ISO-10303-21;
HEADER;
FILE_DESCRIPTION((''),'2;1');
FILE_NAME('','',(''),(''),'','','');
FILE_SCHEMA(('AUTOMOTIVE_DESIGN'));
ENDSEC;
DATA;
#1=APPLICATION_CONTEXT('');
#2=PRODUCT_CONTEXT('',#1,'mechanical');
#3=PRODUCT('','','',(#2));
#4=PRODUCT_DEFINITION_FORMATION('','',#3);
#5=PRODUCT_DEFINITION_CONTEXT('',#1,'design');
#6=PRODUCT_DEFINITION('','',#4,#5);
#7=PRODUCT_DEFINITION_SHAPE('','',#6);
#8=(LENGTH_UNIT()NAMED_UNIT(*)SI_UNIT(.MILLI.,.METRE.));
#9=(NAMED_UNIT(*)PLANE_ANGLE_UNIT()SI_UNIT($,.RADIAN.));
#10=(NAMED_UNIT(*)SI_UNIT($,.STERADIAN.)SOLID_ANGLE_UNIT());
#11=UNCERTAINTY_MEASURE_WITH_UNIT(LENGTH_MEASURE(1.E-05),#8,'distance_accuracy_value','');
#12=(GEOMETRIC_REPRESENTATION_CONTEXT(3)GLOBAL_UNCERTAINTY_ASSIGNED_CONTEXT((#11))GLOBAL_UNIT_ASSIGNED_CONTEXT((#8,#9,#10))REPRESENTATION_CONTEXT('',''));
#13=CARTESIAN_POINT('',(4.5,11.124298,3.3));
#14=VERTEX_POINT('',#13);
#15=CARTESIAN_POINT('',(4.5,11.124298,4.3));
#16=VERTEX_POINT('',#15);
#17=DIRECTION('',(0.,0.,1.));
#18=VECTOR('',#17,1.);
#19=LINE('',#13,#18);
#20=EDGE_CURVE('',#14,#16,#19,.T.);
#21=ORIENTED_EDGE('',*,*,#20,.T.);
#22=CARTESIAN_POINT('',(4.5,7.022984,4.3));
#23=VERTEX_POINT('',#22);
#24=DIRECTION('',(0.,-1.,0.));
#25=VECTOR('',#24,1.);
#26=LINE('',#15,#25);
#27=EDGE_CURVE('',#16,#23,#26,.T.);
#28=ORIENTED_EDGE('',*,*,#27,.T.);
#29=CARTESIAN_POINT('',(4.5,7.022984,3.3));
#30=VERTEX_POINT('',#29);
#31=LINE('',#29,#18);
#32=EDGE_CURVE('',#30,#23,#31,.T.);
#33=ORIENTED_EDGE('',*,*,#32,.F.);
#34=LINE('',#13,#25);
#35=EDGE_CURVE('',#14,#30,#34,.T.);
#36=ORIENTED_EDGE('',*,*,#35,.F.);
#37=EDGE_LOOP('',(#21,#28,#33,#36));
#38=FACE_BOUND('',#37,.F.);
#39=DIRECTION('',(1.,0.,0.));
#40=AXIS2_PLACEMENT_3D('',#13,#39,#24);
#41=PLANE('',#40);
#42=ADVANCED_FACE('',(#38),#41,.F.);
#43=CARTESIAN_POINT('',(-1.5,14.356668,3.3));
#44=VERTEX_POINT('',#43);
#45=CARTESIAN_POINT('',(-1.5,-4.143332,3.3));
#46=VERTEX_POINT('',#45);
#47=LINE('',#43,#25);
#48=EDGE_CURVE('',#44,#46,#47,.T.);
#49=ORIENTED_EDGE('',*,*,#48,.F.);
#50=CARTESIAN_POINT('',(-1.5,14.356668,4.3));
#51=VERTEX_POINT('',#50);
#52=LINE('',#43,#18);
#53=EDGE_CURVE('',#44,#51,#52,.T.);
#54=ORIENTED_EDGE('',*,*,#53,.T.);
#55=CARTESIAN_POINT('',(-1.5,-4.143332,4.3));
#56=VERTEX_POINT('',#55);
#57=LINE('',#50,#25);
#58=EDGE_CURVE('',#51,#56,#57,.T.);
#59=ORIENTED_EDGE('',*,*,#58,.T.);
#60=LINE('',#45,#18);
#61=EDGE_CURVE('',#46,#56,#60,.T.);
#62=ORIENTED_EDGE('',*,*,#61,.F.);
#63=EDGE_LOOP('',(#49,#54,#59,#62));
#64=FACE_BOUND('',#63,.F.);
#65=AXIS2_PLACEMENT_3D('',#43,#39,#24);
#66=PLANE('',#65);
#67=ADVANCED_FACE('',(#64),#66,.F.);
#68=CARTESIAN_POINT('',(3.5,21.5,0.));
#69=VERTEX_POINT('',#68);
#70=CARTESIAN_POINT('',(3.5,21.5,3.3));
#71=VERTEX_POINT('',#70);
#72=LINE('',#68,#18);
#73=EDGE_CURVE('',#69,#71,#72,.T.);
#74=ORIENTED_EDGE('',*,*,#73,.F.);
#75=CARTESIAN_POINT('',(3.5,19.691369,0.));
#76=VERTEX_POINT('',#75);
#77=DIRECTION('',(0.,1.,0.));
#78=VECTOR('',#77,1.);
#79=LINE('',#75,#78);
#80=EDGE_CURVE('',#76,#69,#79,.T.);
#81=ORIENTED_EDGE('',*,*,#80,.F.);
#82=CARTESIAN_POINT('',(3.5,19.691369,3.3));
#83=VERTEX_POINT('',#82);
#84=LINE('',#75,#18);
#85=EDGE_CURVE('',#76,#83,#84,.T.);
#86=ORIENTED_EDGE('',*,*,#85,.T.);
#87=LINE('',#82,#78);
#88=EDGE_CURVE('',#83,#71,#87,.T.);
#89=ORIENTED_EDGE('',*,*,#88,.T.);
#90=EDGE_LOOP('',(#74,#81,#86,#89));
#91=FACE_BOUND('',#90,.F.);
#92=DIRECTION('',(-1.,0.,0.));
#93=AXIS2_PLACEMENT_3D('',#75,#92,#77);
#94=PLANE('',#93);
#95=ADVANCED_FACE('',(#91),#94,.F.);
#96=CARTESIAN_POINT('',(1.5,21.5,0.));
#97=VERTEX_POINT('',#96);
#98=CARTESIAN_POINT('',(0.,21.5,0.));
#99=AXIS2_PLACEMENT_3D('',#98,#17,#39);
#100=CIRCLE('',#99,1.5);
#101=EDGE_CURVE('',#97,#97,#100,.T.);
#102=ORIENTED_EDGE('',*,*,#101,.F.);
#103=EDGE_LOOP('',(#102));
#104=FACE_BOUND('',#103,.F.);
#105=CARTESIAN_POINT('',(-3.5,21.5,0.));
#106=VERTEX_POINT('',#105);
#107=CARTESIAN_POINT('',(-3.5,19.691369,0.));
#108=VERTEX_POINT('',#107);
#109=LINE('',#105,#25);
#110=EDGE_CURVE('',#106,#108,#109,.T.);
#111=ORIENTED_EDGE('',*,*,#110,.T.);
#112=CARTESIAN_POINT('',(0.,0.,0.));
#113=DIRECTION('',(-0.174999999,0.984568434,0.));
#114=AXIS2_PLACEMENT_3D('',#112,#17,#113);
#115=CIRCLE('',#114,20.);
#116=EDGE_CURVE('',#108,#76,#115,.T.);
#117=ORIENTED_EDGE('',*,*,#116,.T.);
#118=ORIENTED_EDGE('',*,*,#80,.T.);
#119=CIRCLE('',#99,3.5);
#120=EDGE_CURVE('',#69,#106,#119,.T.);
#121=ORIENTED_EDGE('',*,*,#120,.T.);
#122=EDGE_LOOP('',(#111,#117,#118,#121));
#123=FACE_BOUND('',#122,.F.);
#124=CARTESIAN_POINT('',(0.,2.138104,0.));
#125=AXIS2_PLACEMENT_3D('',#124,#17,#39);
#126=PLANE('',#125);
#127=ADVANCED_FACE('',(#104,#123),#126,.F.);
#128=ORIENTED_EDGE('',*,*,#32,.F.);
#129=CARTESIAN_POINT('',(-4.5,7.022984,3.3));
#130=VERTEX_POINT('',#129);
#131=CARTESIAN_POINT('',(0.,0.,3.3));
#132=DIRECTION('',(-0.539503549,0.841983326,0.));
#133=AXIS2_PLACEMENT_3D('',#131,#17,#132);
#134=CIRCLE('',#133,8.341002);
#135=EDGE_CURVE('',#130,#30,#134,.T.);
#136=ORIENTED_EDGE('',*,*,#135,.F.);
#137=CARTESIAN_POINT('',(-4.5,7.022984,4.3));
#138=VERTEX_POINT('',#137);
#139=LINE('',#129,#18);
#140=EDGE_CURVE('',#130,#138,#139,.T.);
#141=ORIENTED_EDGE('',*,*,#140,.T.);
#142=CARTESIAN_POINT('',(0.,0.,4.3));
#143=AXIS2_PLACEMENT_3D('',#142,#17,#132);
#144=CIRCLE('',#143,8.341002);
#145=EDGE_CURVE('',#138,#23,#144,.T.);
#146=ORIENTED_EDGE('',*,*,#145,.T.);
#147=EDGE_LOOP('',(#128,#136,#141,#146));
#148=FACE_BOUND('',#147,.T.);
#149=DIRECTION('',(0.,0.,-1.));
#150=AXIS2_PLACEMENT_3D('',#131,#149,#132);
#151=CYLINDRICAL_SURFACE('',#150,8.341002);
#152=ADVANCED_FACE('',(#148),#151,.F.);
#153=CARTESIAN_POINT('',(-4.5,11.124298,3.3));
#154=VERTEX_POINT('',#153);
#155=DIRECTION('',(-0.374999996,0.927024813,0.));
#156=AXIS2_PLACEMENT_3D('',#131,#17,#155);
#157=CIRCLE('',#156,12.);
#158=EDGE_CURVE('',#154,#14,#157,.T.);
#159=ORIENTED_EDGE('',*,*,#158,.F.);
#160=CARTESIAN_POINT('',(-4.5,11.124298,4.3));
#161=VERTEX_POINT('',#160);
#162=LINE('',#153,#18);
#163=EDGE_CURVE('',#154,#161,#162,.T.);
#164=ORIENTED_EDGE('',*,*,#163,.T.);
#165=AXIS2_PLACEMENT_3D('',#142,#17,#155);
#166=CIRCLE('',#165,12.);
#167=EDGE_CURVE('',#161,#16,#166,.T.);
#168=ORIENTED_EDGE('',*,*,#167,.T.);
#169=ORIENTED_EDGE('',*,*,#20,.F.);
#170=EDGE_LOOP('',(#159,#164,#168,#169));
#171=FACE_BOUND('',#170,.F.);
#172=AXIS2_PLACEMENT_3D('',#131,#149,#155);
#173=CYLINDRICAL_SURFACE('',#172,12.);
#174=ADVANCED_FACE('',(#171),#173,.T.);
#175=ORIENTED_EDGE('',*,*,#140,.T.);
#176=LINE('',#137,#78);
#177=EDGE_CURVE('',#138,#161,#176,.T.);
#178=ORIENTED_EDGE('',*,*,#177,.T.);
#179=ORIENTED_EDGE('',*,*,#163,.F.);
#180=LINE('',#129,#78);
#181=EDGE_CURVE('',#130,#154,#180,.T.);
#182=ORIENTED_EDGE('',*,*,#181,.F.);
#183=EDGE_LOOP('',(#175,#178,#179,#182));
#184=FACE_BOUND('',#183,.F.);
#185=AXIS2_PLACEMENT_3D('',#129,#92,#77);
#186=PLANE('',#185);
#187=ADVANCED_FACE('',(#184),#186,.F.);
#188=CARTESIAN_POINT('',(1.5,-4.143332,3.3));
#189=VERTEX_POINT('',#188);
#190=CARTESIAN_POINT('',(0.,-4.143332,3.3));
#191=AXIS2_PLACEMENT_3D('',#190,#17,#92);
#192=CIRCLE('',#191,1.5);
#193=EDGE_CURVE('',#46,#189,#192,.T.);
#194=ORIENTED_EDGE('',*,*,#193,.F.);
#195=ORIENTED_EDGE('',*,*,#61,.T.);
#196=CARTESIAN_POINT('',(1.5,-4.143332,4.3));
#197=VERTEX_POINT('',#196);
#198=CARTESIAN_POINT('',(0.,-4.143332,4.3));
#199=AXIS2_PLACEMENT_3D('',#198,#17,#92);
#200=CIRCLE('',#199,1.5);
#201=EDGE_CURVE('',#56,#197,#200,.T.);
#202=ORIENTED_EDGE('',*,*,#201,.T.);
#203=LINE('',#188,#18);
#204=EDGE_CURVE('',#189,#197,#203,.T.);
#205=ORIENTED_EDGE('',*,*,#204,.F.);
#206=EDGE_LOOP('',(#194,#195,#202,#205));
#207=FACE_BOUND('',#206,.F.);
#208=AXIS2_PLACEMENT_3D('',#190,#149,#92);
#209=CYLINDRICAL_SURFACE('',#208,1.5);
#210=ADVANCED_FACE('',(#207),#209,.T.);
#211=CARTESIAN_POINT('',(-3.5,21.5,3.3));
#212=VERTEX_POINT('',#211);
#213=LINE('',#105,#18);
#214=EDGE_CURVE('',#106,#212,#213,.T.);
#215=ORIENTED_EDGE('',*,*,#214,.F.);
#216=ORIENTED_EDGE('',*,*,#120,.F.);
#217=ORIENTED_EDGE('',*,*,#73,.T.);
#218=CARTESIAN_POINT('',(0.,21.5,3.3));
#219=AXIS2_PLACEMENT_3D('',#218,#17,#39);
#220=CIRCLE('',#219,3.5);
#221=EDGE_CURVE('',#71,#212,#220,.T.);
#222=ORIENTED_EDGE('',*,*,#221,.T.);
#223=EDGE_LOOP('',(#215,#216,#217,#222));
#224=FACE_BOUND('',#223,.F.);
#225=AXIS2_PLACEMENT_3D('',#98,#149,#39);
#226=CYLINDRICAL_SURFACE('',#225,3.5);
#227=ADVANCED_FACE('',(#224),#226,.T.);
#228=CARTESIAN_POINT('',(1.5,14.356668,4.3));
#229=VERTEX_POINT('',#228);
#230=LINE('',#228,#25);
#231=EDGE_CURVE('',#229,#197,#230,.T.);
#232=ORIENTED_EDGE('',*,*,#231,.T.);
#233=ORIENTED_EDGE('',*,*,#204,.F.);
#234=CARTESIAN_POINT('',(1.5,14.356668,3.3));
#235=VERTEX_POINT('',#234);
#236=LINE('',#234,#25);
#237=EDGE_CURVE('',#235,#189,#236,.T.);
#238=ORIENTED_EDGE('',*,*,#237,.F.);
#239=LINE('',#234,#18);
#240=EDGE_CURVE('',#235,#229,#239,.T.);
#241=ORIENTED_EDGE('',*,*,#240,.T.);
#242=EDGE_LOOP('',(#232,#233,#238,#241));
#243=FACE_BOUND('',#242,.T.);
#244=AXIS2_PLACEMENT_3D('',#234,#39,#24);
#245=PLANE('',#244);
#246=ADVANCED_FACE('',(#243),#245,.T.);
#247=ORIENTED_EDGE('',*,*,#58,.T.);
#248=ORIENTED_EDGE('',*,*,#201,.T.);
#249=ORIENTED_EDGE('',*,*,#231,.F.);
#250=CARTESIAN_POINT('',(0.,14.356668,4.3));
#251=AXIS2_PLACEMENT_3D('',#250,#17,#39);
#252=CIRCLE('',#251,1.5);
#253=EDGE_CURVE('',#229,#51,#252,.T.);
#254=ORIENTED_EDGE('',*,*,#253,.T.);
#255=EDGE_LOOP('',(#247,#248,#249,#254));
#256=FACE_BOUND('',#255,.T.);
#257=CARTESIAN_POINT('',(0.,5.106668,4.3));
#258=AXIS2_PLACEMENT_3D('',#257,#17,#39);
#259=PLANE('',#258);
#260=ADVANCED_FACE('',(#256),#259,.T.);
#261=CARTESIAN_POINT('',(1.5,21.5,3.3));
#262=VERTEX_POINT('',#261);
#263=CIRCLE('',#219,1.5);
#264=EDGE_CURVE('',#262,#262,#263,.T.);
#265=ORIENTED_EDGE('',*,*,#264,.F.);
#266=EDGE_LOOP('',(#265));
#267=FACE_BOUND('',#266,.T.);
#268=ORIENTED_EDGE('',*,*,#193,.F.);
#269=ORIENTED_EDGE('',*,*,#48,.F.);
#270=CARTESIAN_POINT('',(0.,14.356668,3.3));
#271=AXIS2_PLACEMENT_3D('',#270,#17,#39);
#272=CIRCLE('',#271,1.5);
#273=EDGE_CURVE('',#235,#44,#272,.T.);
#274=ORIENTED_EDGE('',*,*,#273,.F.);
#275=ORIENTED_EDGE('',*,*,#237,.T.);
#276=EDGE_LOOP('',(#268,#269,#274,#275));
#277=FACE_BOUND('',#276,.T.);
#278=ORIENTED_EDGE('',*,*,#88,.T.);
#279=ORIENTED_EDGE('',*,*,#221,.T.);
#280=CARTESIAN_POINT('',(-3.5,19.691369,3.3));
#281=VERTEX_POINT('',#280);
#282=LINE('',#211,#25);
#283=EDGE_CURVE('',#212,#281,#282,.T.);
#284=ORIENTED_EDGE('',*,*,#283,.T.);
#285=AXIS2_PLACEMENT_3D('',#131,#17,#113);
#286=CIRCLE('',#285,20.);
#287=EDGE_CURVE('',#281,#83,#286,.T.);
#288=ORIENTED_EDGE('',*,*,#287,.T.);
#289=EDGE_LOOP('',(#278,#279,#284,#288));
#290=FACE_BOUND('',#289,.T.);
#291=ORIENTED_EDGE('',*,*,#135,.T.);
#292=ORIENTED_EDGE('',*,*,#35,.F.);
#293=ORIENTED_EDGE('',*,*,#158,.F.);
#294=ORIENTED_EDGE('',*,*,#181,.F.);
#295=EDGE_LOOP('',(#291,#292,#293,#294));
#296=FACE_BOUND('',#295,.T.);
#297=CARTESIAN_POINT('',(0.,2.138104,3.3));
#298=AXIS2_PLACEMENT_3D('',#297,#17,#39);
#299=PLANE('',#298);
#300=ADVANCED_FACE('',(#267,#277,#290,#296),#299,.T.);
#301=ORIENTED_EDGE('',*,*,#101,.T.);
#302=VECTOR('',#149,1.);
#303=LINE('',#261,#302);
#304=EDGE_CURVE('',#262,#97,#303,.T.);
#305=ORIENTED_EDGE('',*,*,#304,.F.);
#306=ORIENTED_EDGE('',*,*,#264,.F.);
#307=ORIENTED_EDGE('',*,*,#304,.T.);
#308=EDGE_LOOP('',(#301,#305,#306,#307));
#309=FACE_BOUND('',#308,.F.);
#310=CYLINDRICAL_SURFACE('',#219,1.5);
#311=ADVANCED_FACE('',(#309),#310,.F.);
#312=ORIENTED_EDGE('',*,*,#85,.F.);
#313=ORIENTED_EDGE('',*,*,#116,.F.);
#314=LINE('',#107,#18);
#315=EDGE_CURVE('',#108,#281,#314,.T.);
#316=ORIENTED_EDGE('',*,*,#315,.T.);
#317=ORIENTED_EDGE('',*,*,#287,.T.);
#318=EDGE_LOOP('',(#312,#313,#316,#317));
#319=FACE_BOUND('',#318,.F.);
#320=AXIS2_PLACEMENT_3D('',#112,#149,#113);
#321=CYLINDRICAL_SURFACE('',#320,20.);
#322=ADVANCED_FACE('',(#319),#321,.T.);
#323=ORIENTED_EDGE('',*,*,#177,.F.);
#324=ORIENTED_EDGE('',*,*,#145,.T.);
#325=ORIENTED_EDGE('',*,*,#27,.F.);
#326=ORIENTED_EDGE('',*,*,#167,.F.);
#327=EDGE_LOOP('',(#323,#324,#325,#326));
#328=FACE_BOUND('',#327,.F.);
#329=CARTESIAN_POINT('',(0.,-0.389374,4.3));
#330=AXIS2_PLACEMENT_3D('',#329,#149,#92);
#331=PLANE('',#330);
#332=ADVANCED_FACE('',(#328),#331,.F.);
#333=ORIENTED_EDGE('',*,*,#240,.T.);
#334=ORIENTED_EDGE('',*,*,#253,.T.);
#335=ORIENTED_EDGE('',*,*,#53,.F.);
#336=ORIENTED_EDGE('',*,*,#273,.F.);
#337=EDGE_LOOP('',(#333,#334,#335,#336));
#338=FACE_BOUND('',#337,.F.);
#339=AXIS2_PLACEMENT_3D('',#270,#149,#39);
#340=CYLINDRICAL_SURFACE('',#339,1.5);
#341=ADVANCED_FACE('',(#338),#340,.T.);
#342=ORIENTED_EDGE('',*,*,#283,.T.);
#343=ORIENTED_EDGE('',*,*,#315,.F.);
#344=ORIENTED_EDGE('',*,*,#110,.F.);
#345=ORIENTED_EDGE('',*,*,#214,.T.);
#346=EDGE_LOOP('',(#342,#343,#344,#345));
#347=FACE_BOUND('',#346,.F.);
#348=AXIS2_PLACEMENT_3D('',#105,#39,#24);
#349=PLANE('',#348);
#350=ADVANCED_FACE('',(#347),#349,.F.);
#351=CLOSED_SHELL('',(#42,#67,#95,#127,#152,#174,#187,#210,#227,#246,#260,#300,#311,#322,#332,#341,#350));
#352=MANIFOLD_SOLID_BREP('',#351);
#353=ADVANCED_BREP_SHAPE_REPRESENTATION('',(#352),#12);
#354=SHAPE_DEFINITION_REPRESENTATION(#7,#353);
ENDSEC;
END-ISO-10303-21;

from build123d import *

# Parameters (mm, degrees)
EXTRUDE_DEPTH = 3.3
SKETCH001_R   = 1.5
POCKET_DEPTH  = 3.301
PAD_DEPTH     = 1


with BuildPart() as part:
    # Sketch → Extrude (new body)
    with BuildSketch(Plane.XY):
        with BuildLine():
            ThreePointArc((3.5, 21.5), (0, 25), (-3.5, 21.5))
            Line((-3.5, 21.5), (-3.5, 19.691369))
            ThreePointArc((-3.5, 19.691369), (0, -20), (3.5, 19.691369))
            Line((3.5, 19.691369), (3.5, 21.5))
        make_face()
    extrude(amount=EXTRUDE_DEPTH)

    # Sketch001 → Pocket (cut, through all)
    with BuildSketch(Plane.XY.offset(3.3)):
        with Locations((0, 21.5)):
            Circle(SKETCH001_R)
    extrude(amount=-POCKET_DEPTH, mode=Mode.SUBTRACT)

    # Sketch002 → Pad (new body)
    with BuildSketch(Plane.XY.offset(3.3)):
        with BuildLine():
            ThreePointArc((-4.5, 7.022984), (0, -8.341002), (4.5, 7.022984))
            Line((4.5, 11.124298), (4.5, 7.022984))
            ThreePointArc((-4.5, 11.124298), (0, -12), (4.5, 11.124298))
            Line((-4.5, 7.022984), (-4.5, 11.124298))
        make_face()
        with BuildLine():
            ThreePointArc((1.5, 14.356668), (0, 15.856668), (-1.5, 14.356668))
            Line((-1.5, 14.356668), (-1.5, -4.143332))
            ThreePointArc((-1.5, -4.143332), (0, -5.643332), (1.5, -4.143332))
            Line((1.5, 14.356668), (1.5, -4.143332))
        make_face()
    extrude(amount=PAD_DEPTH)


solid = part.part
